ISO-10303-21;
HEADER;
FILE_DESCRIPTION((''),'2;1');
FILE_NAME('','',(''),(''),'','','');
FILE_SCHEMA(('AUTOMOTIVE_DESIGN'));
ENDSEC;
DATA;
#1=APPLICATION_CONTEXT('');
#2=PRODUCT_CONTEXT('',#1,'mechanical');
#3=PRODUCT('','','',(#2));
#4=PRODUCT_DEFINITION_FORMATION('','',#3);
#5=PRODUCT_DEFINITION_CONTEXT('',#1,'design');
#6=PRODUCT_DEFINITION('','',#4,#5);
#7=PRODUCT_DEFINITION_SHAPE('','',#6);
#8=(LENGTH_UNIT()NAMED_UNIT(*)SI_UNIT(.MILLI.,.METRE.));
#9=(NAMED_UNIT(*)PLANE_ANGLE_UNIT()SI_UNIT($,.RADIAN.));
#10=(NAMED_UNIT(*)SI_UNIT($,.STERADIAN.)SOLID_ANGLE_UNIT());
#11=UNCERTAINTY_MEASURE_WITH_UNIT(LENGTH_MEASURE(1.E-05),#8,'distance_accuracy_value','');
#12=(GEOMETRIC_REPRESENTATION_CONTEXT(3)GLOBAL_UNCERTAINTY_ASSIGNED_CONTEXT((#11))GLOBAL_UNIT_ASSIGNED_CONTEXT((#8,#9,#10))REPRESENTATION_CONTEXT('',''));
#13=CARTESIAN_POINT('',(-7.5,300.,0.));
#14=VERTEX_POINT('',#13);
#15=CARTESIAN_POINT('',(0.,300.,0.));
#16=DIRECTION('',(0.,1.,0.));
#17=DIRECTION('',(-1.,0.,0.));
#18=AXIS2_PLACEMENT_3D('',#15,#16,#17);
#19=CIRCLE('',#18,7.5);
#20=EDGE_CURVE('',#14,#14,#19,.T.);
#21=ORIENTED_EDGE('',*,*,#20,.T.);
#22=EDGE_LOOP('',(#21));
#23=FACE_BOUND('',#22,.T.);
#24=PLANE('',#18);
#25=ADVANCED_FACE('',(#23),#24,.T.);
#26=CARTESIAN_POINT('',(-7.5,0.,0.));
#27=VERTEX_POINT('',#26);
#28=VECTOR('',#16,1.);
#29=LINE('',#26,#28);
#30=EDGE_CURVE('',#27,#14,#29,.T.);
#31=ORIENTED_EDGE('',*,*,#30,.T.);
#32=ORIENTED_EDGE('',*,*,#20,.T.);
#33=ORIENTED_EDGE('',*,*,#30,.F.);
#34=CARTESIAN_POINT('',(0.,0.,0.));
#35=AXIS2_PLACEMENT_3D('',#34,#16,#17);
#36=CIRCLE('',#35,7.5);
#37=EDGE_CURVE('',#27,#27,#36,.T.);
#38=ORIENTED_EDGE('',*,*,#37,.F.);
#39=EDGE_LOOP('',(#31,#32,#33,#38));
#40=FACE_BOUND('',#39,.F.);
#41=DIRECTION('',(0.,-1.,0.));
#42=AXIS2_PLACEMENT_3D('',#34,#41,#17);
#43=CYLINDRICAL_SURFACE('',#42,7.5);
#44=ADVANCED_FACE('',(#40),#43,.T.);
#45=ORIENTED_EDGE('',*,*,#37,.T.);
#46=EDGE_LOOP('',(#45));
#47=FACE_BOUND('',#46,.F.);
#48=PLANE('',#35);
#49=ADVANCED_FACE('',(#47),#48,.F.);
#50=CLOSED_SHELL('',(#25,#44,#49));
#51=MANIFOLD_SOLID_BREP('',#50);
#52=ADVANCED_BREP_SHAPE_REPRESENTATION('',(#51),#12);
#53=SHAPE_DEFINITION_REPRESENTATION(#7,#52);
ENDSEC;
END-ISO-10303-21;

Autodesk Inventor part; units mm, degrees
ref_plane "YZ Plane" through (0, 0, 0) normal (1, 0, 0) x (0, 1, 0)
ref_plane "XZ Plane" through (0, 0, 0) normal (0, 1, 0) x (-1, 0, 0)
ref_plane "XY Plane" through (0, 0, 0) normal (0, 0, 1) x (1, 0, 0)
sketch "スケッチ1" plane through (0, 0, 0) normal (0, 1, 0) x (-1, 0, 0)
  circle A0 centre (0, 0) radius 7.5
  dimension "d0" = 15
extrude "押し出し1" add sketch "スケッチ1" along normal blind 300
properties part number "stick"
